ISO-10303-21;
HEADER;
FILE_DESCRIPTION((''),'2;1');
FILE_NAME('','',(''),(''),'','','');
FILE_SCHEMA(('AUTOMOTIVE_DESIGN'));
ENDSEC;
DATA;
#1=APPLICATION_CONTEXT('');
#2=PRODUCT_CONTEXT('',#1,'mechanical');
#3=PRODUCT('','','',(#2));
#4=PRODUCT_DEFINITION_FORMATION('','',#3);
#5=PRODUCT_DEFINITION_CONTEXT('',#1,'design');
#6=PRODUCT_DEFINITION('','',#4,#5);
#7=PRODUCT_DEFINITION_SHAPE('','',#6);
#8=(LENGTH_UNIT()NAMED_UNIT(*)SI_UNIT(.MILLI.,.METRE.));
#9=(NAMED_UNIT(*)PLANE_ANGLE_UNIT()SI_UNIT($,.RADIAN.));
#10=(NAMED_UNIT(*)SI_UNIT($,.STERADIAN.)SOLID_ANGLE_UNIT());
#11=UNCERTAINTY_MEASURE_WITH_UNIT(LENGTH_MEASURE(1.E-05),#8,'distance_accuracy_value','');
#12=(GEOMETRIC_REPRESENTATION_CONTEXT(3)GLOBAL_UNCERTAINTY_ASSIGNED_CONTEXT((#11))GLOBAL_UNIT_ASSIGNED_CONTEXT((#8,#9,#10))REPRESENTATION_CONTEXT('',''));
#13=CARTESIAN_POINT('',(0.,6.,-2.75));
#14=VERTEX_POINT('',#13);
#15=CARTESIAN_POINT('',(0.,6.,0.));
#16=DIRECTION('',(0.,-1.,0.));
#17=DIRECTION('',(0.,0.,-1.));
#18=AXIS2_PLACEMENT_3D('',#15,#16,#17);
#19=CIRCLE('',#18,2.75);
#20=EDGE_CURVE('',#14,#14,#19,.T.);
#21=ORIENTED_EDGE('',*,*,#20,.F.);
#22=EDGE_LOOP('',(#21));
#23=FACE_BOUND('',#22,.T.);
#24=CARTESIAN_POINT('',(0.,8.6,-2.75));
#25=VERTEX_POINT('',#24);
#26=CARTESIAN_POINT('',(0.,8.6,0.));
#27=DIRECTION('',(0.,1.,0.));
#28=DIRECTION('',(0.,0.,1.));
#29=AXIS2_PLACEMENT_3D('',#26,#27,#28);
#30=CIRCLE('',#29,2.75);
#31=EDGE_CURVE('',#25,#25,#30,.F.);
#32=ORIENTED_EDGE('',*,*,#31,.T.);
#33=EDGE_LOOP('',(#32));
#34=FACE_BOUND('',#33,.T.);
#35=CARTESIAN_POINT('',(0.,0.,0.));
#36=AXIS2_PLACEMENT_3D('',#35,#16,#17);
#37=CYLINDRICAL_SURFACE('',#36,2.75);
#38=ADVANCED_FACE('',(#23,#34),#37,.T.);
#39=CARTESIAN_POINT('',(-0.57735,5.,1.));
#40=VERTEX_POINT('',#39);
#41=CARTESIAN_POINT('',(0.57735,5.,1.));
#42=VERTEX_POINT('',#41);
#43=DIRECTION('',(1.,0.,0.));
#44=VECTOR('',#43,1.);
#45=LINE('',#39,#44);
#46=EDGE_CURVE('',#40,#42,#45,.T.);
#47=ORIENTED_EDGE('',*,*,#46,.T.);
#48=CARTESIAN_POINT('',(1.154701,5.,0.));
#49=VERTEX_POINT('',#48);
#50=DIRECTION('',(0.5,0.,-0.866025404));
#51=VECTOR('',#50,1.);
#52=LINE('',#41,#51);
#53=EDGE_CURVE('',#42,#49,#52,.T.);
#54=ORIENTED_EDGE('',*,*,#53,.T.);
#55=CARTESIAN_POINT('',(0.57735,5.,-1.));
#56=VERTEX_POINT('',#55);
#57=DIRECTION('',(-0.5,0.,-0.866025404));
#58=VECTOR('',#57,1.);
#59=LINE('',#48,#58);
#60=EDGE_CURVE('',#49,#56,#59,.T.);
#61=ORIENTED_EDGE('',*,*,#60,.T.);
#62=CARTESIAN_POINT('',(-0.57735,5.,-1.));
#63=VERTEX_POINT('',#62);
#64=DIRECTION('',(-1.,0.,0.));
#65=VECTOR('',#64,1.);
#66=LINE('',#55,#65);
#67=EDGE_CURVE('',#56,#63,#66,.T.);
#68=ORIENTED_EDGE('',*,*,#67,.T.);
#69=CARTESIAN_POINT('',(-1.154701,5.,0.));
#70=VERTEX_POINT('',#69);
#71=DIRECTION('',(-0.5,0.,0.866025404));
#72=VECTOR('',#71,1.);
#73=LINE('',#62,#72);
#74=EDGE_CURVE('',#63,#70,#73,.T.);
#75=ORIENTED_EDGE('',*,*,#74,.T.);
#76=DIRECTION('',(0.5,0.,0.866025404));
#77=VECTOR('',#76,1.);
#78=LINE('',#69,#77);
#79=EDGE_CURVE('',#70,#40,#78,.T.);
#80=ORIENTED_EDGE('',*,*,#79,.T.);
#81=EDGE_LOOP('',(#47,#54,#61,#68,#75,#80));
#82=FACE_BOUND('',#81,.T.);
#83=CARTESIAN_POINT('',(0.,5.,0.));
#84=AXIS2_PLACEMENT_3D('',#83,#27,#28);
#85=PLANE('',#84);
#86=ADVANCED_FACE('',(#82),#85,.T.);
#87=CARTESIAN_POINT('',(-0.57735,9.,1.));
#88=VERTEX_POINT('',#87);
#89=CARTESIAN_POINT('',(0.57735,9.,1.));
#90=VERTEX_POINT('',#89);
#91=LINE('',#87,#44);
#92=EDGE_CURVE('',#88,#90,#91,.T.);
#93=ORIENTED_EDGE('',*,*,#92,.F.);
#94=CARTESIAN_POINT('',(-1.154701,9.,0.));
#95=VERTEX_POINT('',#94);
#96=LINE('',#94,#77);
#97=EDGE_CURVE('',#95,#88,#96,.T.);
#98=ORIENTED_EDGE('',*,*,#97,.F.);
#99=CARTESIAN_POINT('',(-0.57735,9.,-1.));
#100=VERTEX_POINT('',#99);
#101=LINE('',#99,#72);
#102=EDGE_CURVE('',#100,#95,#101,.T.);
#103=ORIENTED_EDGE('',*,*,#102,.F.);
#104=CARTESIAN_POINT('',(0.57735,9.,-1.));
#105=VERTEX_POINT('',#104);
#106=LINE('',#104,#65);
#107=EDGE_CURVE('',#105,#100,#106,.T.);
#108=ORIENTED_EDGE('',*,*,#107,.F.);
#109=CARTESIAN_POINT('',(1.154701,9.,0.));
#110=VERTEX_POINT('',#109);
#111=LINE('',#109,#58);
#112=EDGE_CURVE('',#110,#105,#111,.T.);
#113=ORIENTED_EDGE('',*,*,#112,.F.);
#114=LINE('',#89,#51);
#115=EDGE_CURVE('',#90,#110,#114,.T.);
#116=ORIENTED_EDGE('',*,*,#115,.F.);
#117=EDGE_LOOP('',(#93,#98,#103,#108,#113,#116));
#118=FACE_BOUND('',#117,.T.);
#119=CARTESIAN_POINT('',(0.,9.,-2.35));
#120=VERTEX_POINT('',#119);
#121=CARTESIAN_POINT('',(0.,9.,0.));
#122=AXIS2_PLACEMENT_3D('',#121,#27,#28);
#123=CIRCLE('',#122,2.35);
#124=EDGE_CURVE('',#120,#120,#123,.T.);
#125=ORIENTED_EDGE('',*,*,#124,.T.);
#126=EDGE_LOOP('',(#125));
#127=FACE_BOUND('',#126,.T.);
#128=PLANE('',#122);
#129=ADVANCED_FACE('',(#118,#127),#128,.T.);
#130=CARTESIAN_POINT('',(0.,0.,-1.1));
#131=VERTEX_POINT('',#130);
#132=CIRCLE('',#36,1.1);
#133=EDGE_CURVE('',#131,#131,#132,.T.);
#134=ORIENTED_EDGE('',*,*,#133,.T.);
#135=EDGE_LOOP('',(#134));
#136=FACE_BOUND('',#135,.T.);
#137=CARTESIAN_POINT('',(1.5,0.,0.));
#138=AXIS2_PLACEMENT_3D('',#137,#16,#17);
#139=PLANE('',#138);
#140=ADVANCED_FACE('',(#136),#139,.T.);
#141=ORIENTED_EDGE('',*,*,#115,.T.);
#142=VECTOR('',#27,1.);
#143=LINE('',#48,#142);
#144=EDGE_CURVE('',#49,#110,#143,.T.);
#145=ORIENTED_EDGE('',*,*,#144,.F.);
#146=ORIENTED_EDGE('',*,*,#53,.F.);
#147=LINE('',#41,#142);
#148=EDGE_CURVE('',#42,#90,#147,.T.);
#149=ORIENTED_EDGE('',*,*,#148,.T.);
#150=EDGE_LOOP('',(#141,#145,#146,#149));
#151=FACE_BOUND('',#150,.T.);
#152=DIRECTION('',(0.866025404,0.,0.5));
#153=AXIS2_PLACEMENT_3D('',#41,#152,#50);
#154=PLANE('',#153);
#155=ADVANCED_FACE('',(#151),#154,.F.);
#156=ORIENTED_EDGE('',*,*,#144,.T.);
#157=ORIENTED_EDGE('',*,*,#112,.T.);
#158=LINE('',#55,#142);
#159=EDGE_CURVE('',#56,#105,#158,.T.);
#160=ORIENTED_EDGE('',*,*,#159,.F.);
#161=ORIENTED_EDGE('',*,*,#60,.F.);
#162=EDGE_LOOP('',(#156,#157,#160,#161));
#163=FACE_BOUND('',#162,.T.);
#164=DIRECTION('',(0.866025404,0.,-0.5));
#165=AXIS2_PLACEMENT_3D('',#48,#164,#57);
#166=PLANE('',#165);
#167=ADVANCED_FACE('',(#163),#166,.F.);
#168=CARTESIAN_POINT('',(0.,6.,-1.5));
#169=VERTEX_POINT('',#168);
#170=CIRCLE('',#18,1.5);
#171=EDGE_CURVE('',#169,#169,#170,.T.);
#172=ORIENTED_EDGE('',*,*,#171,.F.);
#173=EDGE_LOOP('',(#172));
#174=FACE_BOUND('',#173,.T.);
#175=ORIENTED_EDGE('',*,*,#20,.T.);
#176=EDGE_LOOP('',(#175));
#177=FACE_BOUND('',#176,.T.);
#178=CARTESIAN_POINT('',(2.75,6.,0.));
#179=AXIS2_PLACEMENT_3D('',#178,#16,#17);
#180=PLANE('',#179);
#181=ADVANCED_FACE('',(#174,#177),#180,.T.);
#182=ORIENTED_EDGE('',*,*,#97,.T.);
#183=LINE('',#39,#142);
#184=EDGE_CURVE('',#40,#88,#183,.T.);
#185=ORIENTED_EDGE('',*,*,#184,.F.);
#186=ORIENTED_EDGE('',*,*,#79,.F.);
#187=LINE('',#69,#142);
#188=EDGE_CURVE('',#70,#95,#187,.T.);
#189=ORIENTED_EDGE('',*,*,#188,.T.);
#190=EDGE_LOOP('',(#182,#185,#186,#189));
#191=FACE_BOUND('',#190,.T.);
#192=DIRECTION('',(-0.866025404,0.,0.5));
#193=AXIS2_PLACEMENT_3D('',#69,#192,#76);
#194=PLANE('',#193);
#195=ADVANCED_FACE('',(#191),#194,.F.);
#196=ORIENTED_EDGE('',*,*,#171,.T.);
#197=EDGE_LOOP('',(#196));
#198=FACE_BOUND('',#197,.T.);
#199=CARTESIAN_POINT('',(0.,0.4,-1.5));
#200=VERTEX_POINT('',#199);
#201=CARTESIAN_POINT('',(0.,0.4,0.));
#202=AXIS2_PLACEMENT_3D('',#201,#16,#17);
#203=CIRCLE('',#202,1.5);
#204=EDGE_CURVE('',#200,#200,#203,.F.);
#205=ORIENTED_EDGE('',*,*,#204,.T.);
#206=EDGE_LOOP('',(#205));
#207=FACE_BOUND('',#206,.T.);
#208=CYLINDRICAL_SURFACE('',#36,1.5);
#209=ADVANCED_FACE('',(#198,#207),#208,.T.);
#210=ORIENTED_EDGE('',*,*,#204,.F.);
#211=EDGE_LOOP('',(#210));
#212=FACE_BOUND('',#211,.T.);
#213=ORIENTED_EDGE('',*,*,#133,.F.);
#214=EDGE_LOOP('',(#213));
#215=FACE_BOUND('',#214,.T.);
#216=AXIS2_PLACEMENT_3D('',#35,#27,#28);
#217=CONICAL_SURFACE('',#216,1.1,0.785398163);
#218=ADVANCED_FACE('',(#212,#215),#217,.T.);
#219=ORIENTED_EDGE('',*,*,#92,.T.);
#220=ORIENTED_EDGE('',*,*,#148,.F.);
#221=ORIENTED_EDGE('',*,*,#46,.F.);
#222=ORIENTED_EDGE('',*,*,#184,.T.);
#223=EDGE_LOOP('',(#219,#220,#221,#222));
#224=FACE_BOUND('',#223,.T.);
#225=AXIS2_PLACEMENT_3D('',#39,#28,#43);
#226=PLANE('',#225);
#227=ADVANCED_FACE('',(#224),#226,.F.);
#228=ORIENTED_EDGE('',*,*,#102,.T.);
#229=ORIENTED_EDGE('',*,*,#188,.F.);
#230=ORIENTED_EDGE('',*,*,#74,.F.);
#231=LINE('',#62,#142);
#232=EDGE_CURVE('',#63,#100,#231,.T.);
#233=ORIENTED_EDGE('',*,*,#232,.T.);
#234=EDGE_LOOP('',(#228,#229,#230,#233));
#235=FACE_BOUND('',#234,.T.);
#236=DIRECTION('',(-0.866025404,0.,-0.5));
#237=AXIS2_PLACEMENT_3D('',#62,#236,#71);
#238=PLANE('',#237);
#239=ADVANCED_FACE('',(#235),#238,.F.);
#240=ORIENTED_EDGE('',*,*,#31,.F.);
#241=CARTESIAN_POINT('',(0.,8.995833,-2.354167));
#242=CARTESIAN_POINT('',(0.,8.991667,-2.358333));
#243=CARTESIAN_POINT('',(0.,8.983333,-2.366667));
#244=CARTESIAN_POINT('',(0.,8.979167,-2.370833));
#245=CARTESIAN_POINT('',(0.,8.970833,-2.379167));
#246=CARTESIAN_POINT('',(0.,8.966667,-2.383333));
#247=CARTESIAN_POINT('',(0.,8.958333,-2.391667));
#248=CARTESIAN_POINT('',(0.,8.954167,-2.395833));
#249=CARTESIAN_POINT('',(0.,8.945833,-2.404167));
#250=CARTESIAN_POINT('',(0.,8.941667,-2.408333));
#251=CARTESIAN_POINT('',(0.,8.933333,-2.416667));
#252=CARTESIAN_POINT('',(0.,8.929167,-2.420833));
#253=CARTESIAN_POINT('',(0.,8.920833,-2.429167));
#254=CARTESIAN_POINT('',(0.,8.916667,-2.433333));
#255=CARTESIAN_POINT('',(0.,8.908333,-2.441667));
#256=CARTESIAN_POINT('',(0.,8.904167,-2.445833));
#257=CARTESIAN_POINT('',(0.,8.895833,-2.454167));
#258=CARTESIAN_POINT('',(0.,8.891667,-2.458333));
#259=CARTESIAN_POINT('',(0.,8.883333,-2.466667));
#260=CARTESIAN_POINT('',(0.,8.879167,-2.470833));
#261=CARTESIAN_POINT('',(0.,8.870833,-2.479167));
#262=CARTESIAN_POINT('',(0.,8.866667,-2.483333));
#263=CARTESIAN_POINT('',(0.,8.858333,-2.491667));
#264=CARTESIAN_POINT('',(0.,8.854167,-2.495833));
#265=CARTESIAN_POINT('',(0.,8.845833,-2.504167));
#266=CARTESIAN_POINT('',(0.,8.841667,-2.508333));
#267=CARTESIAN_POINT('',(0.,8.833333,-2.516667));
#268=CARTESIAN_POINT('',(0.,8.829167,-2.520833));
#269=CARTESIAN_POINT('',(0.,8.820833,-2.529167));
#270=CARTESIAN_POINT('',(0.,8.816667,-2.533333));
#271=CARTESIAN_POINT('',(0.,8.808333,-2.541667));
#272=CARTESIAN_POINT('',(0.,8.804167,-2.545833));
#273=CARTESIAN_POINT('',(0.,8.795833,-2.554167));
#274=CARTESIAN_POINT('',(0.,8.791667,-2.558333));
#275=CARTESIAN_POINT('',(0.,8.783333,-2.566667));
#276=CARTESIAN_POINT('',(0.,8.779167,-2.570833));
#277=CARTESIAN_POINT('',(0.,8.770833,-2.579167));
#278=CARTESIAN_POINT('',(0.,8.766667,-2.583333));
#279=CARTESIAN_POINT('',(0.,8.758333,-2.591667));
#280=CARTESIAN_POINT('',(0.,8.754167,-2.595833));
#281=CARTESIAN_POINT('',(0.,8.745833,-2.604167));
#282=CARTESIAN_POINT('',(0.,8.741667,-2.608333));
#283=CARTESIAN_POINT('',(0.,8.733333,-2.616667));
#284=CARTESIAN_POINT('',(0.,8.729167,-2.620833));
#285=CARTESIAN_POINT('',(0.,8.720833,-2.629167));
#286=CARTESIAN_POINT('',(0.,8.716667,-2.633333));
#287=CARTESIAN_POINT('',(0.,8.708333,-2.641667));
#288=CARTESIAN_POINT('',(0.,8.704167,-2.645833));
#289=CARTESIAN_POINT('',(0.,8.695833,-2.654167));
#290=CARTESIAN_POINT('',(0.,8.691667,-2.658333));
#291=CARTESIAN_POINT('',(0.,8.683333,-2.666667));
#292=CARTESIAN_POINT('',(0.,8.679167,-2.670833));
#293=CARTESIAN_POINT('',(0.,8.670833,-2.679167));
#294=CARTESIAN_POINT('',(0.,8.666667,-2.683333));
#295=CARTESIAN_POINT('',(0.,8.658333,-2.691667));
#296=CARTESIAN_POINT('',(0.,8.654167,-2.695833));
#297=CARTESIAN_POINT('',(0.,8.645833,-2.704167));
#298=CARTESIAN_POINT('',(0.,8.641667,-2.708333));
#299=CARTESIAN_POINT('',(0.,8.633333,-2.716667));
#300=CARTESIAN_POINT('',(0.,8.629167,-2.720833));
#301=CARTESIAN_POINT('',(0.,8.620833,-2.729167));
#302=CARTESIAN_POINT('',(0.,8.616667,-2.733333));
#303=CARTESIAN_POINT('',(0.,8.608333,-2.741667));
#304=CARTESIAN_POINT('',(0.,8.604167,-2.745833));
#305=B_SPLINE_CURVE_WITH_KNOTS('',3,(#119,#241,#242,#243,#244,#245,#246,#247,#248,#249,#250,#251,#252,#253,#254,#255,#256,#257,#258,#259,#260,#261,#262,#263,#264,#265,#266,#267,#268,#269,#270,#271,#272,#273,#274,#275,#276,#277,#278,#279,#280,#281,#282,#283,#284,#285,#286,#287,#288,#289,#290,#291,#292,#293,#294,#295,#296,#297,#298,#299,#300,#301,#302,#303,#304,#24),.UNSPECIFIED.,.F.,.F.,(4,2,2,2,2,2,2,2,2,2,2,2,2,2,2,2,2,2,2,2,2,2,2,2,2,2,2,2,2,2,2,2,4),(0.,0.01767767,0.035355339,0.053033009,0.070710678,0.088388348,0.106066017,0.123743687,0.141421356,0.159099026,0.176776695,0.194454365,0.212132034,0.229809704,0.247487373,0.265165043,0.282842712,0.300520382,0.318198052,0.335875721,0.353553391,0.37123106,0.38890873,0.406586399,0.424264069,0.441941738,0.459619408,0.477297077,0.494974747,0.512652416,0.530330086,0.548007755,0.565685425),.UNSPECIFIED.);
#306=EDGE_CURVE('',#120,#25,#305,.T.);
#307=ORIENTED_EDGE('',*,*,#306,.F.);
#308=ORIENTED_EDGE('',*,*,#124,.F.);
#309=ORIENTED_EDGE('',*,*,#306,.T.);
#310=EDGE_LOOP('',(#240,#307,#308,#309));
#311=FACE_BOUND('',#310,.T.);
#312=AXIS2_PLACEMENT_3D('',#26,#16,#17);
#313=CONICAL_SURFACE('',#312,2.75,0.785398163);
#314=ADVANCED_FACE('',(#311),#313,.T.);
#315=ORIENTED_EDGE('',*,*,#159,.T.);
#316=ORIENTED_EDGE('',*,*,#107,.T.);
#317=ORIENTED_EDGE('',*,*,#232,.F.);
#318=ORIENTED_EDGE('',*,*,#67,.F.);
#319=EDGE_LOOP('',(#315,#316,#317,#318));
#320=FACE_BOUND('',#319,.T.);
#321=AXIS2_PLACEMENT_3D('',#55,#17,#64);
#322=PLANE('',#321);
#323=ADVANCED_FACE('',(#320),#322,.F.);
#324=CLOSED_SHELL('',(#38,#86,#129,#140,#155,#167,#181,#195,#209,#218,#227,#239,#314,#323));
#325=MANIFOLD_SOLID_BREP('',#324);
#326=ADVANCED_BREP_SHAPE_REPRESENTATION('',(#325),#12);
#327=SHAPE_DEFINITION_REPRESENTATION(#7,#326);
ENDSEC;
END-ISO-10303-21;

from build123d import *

# Parameters (mm, degrees)
CHAMFER1_SIZE      = 0.4
CUT_EXTRUDE2_DEPTH = 4


with BuildPart() as part:
    # Sketch2 → Revolve1 (revolve)
    with BuildSketch(Plane.XY, mode=Mode.PRIVATE) as revolve1_sk:
        Polygon((0, 9), (2.75, 9), (2.75, 6), (1.5, 6), (1.5, 0), (0, 0), align=None)
    revolve(revolve1_sk.sketch.rotate(Axis((0, 0, 0), (0, 1, 0)), 90), axis=Axis((0, 0, 0), (0, 1, 0)))

    # Chamfer1
    chamfer1_edges = [part.edges().sort_by_distance(p)[0] for p in [
        (0, 0, 1.5),
        (0, 9, 2.75),
    ]]
    chamfer(chamfer1_edges, length=CHAMFER1_SIZE)

    # Sketch4 → Cut-Extrude2 (cut)
    with BuildSketch(Plane(origin=(0, 9, 0), x_dir=(1, 0, 0), z_dir=(0, 1, 0))):
        Polygon((1.154700538, 0), (0.577350269, 1), (-0.577350269, 1), (-1.154700538, 0), (-0.577350269, -1), (0.577350269, -1), align=None)
    extrude(amount=-CUT_EXTRUDE2_DEPTH, mode=Mode.SUBTRACT)


solid = part.part
